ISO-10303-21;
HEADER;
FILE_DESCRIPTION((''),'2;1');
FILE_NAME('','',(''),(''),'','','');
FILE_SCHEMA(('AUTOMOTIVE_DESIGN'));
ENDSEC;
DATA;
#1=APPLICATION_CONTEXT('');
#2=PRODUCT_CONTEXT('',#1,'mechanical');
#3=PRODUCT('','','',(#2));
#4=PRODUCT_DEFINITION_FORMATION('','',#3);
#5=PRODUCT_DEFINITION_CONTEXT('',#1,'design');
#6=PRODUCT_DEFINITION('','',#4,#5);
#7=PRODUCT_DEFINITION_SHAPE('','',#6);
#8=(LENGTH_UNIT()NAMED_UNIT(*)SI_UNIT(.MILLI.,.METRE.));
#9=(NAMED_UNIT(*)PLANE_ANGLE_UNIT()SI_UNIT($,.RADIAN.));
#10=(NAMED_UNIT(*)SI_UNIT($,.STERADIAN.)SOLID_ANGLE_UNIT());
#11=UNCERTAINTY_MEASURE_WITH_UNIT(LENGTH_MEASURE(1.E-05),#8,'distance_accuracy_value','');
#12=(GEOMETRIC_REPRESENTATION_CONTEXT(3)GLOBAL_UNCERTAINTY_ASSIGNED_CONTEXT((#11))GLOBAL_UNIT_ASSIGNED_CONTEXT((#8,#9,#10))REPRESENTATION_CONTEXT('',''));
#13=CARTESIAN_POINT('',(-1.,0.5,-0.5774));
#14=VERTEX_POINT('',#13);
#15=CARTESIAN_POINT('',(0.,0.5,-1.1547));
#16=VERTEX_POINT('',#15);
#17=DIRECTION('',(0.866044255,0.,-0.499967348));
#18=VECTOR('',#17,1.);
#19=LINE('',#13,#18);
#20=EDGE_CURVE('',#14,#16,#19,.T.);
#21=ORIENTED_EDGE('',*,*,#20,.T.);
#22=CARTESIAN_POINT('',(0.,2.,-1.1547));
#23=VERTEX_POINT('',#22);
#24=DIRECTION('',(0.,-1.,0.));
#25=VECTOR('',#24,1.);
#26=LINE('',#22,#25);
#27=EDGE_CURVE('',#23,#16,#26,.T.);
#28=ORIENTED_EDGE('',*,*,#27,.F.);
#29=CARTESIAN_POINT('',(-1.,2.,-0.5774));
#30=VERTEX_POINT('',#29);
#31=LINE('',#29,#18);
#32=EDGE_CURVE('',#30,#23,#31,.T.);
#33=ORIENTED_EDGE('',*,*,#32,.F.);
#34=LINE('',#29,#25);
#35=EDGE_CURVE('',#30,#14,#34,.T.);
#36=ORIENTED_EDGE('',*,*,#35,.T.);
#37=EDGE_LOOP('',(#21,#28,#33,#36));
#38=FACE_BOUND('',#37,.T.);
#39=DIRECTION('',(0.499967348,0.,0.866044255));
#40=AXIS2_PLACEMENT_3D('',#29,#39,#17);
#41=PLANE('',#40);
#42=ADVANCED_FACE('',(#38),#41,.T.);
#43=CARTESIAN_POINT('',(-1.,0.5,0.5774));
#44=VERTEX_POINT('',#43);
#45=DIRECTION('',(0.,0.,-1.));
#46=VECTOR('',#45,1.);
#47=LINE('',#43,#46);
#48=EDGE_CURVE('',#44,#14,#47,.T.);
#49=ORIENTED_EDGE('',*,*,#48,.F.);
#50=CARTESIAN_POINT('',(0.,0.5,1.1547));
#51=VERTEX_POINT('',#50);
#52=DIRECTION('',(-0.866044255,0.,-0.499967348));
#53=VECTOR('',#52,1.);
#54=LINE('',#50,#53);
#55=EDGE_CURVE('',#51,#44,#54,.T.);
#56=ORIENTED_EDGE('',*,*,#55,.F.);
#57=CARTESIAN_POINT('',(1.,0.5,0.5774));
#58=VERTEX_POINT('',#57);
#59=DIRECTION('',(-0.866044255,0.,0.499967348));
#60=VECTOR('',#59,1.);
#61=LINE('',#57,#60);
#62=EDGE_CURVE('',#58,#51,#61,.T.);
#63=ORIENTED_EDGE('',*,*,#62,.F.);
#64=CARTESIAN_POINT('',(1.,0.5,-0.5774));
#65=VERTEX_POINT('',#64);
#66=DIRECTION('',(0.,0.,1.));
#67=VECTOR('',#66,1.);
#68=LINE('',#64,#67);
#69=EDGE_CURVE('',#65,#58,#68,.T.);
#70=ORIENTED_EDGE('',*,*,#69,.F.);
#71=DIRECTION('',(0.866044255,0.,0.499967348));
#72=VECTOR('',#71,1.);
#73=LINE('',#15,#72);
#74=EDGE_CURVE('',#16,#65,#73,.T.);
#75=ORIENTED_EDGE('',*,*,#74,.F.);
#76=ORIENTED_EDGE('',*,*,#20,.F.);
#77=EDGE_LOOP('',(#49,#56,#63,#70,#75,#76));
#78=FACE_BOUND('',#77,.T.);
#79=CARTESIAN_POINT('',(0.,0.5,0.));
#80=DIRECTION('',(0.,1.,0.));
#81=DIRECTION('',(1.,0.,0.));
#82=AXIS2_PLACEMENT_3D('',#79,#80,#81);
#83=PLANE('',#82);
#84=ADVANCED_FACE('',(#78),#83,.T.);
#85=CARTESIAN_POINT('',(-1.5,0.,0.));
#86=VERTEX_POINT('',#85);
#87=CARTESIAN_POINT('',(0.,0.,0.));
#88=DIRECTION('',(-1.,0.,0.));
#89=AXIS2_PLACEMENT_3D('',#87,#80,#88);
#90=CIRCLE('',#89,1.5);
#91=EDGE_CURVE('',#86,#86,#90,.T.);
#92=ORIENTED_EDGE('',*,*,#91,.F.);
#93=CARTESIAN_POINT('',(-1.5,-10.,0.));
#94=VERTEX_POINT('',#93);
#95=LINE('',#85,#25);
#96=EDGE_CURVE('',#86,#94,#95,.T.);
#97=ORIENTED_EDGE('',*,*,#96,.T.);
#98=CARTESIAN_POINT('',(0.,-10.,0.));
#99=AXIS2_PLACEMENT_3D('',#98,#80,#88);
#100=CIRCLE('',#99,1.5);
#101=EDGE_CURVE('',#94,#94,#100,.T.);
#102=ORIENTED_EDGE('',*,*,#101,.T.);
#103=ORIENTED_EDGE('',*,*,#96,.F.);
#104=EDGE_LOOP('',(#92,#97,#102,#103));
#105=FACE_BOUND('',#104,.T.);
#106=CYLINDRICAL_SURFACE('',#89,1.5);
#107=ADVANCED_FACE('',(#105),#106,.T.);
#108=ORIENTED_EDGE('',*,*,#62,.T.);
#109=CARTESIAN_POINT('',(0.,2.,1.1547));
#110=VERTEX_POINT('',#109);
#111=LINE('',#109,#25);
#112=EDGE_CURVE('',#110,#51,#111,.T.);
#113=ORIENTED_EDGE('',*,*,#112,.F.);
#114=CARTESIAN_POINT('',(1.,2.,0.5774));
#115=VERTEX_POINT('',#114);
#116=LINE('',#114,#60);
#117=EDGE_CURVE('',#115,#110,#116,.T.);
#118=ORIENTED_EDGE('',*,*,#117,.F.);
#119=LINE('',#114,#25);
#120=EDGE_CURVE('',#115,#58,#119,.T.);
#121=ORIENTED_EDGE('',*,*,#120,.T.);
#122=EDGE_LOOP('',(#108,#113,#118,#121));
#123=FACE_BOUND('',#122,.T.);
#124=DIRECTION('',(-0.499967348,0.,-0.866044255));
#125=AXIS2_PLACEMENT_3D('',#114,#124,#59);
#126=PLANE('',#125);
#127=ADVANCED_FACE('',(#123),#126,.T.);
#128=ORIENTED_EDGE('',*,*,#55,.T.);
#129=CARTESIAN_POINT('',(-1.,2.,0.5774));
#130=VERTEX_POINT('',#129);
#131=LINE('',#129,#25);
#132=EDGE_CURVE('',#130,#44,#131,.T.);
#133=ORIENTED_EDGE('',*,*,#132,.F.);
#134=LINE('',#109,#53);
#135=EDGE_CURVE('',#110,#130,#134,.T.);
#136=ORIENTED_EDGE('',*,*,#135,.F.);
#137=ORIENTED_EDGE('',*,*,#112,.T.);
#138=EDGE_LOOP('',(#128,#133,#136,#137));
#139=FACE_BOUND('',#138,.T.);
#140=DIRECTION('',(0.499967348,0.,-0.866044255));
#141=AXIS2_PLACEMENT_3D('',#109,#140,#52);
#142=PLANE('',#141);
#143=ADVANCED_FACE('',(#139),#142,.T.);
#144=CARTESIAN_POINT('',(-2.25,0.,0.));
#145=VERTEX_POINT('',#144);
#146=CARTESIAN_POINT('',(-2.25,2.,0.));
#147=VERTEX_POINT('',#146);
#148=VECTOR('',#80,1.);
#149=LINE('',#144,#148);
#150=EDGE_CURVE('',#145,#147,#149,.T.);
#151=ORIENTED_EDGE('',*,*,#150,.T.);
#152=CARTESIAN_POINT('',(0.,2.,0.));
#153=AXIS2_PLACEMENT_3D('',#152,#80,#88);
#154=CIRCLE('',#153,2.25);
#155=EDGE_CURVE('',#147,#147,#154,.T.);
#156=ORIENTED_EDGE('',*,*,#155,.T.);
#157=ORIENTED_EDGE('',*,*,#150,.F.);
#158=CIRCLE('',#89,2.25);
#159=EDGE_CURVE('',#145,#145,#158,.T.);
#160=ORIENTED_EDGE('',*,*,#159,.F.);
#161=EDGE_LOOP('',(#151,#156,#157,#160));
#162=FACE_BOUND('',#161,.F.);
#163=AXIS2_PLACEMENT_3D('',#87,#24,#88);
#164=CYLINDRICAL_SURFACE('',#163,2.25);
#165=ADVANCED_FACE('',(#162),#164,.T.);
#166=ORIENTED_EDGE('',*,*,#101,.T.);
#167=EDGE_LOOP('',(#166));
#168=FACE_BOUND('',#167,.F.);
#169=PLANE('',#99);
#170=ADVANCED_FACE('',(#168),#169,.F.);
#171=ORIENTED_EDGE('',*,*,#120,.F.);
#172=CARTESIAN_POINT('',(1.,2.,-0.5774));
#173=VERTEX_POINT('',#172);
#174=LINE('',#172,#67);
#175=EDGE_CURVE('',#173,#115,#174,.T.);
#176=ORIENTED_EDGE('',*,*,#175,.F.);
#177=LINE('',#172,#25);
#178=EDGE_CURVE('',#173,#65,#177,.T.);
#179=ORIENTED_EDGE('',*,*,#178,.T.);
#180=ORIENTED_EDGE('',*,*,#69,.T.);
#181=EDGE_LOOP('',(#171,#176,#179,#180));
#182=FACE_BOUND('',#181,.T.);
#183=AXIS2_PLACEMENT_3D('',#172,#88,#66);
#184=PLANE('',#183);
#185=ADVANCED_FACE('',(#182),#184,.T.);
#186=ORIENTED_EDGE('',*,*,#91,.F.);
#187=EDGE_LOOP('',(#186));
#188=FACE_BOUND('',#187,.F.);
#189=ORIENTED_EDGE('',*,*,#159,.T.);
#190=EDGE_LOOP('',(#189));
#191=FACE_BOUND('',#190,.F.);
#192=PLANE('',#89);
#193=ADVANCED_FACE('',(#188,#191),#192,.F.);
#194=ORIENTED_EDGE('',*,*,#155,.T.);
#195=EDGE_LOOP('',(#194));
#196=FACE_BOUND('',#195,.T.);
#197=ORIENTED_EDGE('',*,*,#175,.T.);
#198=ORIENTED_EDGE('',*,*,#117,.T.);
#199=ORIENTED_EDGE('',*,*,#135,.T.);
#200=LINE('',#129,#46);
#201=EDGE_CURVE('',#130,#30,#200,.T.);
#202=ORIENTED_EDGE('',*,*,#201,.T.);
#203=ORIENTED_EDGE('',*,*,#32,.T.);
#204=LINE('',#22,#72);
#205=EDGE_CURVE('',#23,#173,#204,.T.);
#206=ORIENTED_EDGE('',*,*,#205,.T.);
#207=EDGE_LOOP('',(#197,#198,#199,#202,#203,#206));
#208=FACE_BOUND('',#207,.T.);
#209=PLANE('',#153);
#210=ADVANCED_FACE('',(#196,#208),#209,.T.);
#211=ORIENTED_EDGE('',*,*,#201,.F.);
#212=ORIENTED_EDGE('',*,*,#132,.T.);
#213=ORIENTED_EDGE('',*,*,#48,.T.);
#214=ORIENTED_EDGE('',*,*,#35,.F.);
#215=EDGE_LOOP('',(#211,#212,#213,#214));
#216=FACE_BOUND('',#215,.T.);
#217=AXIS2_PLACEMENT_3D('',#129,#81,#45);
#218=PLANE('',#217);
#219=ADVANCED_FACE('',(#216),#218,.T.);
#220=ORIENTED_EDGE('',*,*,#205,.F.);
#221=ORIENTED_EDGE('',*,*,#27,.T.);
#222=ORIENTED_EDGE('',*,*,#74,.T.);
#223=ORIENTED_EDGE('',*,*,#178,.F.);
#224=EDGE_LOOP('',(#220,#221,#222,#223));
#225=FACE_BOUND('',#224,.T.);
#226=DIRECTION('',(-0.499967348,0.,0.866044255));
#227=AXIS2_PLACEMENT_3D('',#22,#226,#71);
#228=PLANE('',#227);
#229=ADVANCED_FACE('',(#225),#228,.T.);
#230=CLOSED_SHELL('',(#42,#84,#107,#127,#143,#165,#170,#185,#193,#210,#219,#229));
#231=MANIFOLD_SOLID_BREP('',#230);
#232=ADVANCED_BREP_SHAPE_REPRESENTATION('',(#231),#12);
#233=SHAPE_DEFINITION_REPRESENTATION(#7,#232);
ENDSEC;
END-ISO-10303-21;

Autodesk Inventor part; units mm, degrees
ref_plane "YZ Plane" through (0, 0, 0) normal (1, 0, 0) x (0, 1, 0)
ref_plane "XZ Plane" through (0, 0, 0) normal (0, 1, 0) x (-1, 0, 0)
ref_plane "XY Plane" through (0, 0, 0) normal (0, 0, 1) x (1, 0, 0)
sketch "Sketch1" plane through (0, 0, 0) normal (0, 1, 0) x (-1, 0, 0)
  circle A0 centre (0, 0) radius 2.25
  circle A1 centre (0, 0) radius 1.5
  dimension "d0" = 4.5
  dimension "d1" = 3
extrude "Extrusion1" add sketch "Sketch1" against normal blind 10 contours A1
extrude "Extrusion2" add sketch "Sketch1" along normal blind 2 contours A0 | A1
sketch "Sketch2" plane through (0, 2, 0) normal (0, 1, 0) x (1, 0, 0)
  circle A0 centre (0, 0) radius 1.5 projected
  line L0 (-1, -0.5774) -> (-1, 0.5774)
  line L1 (-1, 0.5774) -> (0, 1.1547)
  line L2 (0, 1.1547) -> (1, 0.5774)
  line L3 (1, 0.5774) -> (1, -0.5774)
  line L4 (1, -0.5774) -> (0, -1.1547)
  line L5 (0, -1.1547) -> (-1, -0.5774)
  dimension "d6" = 2
extrude "Extrusion3" cut sketch "Sketch2" against normal blind 1.5 contours L0 L1 L2 L3 L4 L5
equation "\"d0\" = D_"
equation "\"d1\" = M_"
equation "\"d2\" = L_"
equation "\"d4\" = K_"
equation "\"d6\" = S_"
equation "\"d7\" = t_"
equation "\"K_\" = 2"
equation "\"D_\" = 4.5"
equation "\"S_\" = 2"
equation "\"t_\" = 1.5"
equation "\"M_\" = 3"
equation "\"L_\" = 10"
properties part number "M3 x 10" material "Stainless Steel"
